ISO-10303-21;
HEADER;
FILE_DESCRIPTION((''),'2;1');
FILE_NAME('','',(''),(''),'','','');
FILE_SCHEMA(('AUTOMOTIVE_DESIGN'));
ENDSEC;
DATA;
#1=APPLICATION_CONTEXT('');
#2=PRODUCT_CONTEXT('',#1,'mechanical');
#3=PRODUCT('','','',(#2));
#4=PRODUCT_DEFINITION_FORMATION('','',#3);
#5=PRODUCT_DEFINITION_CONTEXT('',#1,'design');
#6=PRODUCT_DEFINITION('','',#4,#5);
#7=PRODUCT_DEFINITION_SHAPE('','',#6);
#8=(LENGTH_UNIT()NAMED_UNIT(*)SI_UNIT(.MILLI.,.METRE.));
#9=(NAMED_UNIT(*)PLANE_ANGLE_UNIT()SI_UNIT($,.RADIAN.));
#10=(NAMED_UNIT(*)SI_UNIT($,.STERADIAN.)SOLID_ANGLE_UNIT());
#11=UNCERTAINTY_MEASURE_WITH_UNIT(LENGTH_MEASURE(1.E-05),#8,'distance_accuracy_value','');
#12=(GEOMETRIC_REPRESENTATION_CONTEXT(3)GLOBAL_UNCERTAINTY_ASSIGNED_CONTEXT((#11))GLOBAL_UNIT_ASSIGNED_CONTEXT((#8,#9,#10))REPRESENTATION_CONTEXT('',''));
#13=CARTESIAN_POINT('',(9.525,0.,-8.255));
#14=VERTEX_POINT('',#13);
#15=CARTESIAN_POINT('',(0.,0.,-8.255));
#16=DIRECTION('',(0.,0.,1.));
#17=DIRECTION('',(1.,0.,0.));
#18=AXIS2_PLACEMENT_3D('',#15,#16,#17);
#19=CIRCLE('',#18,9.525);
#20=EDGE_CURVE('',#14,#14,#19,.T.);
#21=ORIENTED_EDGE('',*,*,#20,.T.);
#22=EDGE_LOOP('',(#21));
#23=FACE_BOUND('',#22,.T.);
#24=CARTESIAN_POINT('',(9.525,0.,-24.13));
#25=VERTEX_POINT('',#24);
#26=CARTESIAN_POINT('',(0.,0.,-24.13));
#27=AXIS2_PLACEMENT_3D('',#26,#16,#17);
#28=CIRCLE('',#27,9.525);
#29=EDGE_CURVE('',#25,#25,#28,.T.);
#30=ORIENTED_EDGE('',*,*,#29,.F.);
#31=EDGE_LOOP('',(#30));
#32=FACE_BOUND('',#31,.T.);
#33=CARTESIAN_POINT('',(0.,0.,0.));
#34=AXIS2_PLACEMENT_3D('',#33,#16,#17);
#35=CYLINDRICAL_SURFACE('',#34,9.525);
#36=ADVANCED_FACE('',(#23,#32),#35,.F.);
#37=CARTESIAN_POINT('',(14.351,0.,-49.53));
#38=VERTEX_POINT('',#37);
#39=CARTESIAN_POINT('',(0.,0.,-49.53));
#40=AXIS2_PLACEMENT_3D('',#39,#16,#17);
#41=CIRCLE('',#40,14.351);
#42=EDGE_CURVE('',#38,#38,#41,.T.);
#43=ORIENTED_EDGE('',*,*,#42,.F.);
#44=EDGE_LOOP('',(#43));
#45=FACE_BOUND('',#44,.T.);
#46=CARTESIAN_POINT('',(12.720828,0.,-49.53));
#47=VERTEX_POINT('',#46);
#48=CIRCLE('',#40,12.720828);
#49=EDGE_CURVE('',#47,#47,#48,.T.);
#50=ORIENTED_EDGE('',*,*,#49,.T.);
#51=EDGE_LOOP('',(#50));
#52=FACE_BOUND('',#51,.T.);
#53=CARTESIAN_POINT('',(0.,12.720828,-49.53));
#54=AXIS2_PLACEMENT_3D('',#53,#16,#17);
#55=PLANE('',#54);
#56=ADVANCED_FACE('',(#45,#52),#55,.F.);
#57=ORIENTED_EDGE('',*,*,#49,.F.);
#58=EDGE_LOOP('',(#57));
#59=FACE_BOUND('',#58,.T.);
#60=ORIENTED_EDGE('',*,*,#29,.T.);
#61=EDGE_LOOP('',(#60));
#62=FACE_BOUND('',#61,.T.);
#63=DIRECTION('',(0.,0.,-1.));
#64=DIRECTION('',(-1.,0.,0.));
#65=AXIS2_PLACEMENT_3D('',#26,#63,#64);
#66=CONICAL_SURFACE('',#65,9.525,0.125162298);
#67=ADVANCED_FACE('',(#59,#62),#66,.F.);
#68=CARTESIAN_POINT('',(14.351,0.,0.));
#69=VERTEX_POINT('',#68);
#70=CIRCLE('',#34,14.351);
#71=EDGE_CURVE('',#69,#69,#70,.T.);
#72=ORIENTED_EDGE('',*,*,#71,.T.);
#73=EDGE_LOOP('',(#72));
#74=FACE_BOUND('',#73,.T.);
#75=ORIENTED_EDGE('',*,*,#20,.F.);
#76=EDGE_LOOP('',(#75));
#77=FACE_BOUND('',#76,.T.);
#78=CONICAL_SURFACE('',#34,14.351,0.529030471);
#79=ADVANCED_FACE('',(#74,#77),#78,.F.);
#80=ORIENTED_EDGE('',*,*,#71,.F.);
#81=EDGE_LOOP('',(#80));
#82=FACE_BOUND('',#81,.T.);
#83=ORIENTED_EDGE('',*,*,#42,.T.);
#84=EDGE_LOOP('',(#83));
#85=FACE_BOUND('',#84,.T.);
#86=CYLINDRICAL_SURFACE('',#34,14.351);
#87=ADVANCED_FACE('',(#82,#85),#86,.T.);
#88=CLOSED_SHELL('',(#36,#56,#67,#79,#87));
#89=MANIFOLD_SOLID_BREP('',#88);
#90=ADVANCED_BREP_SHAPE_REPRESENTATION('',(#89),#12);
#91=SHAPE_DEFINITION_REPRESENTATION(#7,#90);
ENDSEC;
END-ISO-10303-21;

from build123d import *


with BuildPart() as part:
    # Sketch3 → Revolve1 (revolve)
    with BuildSketch(Plane(origin=(0, 0, 0), x_dir=(0, 0, -1), z_dir=(1, 0, 0))):
        Polygon((8.255, 9.525), (24.13, 9.525), (49.53, 12.720828), (49.53, 14.351), (0, 14.351), align=None)
    revolve(axis=Axis((0, 0, 0), (0, 0, -1)))


solid = part.part
